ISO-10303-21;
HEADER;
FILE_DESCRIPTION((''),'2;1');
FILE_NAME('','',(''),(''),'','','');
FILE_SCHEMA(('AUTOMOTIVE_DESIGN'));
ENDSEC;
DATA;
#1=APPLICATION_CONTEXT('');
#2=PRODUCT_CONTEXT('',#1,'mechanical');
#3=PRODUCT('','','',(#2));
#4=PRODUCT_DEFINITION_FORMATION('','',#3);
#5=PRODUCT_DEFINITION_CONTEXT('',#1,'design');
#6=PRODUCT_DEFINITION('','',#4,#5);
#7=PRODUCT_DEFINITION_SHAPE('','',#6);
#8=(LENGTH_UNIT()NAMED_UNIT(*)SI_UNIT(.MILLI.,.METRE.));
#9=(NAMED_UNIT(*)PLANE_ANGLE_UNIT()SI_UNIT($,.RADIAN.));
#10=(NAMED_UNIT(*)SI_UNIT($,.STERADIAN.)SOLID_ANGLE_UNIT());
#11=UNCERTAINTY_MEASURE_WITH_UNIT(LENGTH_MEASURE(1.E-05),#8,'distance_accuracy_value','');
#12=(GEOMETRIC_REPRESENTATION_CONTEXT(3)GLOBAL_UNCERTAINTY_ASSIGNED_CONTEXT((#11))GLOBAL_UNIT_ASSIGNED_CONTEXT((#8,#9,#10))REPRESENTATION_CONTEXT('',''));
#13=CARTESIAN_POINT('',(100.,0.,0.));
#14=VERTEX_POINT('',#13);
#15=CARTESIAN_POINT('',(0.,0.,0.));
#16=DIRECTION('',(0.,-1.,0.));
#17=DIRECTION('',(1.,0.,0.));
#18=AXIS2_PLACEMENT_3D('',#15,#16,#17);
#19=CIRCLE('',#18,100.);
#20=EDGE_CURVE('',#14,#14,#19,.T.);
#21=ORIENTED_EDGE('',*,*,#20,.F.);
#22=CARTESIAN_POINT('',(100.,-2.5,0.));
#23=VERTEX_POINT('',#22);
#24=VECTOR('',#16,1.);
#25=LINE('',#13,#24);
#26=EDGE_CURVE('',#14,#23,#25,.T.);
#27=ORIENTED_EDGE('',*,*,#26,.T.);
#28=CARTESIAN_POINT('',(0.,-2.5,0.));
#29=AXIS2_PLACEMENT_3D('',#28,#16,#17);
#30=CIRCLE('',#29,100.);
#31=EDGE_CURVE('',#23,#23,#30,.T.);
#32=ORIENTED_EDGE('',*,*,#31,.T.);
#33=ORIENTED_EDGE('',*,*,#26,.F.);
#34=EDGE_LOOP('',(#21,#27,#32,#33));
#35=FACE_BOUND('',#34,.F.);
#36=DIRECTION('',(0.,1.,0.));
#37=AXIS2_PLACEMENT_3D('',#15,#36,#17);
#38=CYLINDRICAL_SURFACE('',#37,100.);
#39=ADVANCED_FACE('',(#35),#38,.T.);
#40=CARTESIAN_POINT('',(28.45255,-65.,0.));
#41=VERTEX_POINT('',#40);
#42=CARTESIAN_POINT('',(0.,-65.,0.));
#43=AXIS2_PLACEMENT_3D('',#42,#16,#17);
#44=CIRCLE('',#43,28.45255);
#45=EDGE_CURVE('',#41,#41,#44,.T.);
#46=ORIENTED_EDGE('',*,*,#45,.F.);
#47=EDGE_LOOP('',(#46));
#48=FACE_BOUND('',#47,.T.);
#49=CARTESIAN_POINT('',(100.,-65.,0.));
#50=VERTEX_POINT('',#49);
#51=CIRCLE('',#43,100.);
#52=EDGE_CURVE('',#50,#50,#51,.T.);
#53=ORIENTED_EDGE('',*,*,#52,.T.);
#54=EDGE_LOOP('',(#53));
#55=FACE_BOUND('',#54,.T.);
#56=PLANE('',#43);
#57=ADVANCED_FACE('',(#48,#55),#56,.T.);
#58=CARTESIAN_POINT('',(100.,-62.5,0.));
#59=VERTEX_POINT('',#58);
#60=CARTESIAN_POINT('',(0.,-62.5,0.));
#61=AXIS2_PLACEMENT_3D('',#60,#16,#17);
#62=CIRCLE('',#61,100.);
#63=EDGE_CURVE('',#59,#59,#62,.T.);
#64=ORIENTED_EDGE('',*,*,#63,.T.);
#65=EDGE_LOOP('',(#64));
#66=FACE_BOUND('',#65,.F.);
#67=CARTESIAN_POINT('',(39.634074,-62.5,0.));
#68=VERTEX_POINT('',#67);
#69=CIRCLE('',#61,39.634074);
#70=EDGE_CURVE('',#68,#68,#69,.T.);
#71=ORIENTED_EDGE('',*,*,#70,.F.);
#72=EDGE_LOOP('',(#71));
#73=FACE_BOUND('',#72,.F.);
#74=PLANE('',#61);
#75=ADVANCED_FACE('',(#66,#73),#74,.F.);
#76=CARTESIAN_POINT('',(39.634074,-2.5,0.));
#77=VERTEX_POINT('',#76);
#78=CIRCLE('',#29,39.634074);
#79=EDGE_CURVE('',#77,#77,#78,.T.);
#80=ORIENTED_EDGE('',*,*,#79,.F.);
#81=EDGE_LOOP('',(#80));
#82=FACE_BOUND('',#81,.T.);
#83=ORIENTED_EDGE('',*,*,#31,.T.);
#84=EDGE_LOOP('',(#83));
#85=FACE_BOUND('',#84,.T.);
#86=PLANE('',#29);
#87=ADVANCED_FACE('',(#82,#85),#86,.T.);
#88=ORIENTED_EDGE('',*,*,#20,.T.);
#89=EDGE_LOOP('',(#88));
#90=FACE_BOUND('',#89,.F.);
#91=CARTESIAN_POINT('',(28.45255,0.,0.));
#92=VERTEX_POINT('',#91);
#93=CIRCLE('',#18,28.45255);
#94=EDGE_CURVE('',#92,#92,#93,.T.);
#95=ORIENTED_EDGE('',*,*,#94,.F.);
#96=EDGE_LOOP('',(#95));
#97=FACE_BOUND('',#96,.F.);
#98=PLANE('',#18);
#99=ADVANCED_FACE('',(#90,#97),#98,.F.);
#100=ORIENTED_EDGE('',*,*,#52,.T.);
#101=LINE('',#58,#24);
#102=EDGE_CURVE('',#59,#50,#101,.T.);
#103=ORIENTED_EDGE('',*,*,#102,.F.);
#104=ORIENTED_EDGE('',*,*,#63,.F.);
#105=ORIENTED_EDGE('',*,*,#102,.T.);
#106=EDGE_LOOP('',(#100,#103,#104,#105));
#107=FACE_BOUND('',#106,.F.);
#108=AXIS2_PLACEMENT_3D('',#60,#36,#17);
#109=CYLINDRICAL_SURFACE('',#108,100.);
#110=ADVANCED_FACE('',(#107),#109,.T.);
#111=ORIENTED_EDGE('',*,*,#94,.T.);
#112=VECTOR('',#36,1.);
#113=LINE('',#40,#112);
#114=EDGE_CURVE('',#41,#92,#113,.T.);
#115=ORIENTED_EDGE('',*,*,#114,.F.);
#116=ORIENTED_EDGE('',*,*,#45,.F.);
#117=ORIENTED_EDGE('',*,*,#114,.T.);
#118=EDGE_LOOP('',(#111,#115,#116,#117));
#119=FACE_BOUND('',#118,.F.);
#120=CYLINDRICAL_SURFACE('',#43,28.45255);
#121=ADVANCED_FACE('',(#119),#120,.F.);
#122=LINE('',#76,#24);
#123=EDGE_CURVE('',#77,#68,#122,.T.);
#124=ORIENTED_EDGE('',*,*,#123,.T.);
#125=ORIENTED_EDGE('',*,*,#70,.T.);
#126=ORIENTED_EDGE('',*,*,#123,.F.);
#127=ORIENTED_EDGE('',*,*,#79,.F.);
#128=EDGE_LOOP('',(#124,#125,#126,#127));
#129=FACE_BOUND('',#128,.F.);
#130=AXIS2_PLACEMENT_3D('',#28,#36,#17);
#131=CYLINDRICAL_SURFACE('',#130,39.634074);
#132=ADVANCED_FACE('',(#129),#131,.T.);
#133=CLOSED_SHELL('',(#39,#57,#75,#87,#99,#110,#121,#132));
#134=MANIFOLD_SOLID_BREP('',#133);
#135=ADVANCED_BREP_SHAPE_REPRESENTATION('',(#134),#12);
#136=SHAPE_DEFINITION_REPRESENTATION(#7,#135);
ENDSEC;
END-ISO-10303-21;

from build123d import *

# Parameters (mm, degrees)
SKETCH_R     = 100
PAD_DEPTH    = 2.5
SKETCH001_R  = 39.634074
PAD001_DEPTH = 60
SKETCH002_R  = 100
PAD002_DEPTH = 2.5
SKETCH003_R  = 28.45255
POCKET_DEPTH = 65.001


with BuildPart() as part:
    # Sketch → Pad (new body)
    with BuildSketch(Plane.XZ):
        Circle(SKETCH_R)
    extrude(amount=PAD_DEPTH)

    # Sketch001 → Pad001 (new body)
    with BuildSketch(Plane.XZ.offset(2.5)):
        Circle(SKETCH001_R)
    extrude(amount=PAD001_DEPTH)

    # Sketch002 → Pad002 (new body)
    with BuildSketch(Plane.XZ.offset(62.5)):
        Circle(SKETCH002_R)
    extrude(amount=PAD002_DEPTH)

    # Sketch003 → Pocket (cut, through all)
    with BuildSketch(Plane.XZ.offset(65)):
        Circle(SKETCH003_R)
    extrude(amount=-POCKET_DEPTH, mode=Mode.SUBTRACT)


solid = part.part
